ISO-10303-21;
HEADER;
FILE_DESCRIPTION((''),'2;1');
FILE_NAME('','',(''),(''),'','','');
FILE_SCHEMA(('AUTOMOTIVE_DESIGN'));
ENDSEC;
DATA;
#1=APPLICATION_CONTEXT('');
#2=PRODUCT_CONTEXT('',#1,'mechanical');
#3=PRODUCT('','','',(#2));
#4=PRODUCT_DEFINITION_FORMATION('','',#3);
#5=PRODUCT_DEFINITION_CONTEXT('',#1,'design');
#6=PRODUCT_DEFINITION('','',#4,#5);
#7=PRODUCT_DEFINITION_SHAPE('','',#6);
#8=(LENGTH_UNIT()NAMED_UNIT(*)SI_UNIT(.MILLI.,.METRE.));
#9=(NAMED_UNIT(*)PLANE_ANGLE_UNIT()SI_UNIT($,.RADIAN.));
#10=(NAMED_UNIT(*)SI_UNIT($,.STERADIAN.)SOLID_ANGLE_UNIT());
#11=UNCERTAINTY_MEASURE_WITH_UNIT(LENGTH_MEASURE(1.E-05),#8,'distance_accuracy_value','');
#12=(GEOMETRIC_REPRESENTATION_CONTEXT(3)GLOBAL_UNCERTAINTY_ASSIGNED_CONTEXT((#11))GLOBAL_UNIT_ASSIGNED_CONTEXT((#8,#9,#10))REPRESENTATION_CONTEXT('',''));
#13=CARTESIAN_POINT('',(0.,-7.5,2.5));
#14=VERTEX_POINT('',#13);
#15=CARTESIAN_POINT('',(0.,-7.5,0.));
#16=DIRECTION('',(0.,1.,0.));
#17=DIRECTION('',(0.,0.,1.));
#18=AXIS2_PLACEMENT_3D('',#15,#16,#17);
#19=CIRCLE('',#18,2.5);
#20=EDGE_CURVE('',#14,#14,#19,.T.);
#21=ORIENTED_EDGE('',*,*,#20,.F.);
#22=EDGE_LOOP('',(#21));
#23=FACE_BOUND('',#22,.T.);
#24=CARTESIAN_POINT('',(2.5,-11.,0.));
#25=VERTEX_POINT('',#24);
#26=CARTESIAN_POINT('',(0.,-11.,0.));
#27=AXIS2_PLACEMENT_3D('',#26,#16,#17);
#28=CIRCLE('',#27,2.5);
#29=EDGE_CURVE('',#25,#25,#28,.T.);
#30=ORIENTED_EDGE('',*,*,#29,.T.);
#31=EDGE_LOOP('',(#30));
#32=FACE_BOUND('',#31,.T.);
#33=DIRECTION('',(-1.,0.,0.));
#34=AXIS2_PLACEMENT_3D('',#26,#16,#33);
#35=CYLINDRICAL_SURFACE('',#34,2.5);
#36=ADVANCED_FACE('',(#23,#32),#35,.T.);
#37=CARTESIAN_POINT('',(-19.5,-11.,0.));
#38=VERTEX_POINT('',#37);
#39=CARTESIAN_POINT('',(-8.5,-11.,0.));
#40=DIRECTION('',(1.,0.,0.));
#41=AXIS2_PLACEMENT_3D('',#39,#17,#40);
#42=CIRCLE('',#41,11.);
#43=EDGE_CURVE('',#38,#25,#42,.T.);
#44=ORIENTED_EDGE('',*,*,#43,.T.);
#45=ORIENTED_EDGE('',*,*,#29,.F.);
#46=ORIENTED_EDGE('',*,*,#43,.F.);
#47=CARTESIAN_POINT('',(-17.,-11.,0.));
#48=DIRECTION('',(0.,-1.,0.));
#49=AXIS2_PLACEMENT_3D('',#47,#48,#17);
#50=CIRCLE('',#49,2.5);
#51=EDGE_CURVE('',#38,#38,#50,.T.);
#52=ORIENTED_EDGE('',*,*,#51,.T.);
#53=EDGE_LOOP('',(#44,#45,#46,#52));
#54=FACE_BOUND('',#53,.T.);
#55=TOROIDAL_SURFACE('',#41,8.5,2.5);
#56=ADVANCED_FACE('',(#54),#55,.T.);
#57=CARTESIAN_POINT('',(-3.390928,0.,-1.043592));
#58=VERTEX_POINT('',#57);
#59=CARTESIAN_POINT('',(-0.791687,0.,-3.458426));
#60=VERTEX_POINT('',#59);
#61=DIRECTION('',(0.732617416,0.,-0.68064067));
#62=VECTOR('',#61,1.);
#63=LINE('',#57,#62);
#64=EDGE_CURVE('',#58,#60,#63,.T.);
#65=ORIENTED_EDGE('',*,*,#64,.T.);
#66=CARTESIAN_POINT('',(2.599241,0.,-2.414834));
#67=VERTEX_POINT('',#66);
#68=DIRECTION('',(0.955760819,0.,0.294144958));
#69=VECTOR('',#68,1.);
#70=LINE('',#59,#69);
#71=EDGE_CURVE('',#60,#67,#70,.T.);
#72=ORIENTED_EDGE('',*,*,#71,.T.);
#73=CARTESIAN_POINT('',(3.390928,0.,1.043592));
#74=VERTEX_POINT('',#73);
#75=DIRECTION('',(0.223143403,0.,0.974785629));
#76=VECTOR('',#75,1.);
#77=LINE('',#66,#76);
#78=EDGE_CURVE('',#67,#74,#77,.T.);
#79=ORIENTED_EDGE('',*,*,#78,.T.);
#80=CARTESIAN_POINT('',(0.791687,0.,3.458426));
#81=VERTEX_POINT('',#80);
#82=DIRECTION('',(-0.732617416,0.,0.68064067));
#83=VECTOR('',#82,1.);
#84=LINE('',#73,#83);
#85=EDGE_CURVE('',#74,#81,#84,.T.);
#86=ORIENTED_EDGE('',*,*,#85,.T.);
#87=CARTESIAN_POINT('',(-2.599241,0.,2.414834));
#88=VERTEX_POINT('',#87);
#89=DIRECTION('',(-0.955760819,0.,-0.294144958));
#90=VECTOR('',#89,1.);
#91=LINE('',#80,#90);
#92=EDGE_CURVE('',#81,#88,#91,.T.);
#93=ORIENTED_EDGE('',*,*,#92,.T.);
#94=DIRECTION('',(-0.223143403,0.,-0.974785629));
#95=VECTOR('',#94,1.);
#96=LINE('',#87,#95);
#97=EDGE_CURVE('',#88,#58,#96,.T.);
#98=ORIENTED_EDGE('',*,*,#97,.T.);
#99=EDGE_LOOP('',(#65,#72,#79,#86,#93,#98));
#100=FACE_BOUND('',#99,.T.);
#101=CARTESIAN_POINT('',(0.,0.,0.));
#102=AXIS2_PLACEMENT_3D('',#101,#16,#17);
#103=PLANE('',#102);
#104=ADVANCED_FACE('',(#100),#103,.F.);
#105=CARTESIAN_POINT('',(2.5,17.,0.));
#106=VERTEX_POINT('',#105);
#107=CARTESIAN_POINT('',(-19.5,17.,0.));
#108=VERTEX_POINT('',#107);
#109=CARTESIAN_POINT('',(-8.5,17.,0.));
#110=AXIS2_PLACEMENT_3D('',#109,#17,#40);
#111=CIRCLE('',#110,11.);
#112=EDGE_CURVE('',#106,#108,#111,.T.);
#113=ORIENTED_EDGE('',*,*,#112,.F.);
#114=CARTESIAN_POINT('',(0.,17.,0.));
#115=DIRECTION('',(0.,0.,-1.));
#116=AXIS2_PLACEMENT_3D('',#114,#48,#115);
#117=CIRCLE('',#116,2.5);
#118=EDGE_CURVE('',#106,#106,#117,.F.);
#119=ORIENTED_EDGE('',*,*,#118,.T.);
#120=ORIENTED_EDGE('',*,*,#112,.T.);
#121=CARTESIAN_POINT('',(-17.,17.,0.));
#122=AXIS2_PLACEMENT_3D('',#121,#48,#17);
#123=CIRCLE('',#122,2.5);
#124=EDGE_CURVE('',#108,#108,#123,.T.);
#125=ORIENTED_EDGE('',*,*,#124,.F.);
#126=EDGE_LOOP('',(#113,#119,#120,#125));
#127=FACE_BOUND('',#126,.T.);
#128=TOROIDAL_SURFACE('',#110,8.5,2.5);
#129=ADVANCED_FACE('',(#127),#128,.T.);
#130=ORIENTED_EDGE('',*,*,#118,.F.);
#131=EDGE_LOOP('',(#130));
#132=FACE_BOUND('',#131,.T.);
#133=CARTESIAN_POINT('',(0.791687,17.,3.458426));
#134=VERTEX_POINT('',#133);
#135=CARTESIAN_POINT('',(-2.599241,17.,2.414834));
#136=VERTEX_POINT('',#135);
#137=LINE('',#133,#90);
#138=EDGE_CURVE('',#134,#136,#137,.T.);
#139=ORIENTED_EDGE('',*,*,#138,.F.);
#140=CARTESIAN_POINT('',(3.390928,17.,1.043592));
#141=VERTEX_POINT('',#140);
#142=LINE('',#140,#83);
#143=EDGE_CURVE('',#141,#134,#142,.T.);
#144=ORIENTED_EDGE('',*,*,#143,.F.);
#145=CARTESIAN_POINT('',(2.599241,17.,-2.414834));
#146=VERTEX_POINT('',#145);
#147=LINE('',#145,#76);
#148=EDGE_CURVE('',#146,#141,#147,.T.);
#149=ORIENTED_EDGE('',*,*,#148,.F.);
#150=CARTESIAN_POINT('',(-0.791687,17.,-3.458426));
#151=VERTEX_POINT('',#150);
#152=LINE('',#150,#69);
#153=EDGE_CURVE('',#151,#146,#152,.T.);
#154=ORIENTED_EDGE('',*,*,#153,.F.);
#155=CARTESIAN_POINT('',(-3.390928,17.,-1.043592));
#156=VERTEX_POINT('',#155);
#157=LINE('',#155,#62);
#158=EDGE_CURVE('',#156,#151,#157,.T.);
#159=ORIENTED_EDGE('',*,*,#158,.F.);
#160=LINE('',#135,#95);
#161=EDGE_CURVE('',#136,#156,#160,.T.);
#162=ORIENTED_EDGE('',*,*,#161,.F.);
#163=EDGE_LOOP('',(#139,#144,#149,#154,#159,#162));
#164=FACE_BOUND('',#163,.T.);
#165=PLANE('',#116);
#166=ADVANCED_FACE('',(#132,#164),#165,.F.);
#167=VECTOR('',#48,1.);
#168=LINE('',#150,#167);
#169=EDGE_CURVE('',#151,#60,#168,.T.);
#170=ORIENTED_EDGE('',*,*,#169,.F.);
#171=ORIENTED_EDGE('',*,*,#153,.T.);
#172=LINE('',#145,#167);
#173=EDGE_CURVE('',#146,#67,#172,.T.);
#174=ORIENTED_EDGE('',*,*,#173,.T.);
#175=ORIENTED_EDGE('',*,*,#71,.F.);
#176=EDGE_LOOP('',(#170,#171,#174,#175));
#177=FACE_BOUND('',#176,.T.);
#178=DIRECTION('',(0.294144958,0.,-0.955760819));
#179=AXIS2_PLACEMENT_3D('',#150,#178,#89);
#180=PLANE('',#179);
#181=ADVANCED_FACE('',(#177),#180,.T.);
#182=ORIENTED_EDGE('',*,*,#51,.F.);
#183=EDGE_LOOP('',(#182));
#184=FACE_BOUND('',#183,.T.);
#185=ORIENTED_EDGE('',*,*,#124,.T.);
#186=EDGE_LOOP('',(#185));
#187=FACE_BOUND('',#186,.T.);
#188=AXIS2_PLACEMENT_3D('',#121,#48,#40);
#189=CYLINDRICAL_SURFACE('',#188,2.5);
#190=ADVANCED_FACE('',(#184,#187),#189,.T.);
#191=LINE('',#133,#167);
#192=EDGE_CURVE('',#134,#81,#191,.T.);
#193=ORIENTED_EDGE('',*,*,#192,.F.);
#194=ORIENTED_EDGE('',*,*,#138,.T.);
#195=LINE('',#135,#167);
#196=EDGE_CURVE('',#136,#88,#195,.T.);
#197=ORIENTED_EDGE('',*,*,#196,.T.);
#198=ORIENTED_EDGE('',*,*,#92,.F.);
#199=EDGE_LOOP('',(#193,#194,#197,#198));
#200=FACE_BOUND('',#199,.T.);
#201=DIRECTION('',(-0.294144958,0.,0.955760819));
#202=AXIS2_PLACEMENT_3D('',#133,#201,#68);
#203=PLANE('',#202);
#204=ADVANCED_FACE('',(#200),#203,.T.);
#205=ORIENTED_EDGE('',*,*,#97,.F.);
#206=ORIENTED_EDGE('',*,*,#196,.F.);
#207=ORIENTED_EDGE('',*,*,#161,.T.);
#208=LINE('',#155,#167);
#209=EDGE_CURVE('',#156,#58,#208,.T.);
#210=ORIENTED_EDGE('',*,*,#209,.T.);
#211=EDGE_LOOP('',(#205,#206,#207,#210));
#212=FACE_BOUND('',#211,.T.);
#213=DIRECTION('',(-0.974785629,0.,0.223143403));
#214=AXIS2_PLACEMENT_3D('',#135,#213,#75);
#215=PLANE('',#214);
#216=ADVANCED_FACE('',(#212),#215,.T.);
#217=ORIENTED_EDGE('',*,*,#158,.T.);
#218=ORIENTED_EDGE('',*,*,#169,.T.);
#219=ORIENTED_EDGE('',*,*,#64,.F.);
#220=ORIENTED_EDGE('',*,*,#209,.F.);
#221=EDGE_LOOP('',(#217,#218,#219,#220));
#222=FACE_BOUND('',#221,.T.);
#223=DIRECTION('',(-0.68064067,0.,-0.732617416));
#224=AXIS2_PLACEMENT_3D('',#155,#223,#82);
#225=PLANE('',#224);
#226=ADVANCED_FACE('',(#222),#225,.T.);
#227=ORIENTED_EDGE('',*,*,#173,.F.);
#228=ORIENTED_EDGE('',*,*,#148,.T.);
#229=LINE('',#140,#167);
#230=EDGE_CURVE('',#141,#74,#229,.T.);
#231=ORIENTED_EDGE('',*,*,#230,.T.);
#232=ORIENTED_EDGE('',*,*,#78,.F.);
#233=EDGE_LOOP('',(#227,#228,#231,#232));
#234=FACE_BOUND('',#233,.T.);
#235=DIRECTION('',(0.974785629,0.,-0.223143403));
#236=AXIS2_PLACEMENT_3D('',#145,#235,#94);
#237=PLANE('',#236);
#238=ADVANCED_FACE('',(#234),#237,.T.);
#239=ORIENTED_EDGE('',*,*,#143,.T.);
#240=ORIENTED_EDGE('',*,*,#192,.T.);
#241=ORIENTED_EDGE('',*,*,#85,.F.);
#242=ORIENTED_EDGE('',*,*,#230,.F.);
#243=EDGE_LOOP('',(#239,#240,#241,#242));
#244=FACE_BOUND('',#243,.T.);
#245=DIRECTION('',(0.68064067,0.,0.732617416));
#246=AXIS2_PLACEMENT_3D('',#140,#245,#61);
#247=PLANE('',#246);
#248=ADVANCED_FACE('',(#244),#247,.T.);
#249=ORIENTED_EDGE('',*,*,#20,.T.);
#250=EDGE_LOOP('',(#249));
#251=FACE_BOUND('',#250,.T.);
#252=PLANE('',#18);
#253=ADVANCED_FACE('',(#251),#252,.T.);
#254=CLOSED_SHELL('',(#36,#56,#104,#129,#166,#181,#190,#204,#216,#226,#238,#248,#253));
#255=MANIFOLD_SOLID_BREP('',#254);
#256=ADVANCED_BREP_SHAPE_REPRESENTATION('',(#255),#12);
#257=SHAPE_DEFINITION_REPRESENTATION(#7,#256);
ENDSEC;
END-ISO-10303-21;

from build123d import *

# Parameters (mm, degrees)
SKETCH1_R           = 2.5
BOSS_EXTRUDE1_DEPTH = 17


with BuildPart() as part:
    # Sweep1: sweep along a path in Sketch2
    with BuildLine(Plane.XY) as sweep1_path:
        Line((0, 0), (0, 17))
        ThreePointArc((0, 17), (-8.5, 25.5), (-17, 17))
        Line((-17, 17), (-17, -11))
        ThreePointArc((-17, -11), (-8.5, -19.5), (0, -11))
        Line((0, -11), (0, -7.5))
    # Sketch1 → Sweep1 (sweep)
    with BuildSketch(Plane(origin=(0, 0, 0), x_dir=(1, 0, 0), z_dir=(0, 1, 0))):
        Circle(SKETCH1_R)
    sweep(path=sweep1_path.line)

    # Sketch3 → Boss-Extrude1 (add)
    with BuildSketch(Plane.XZ):
        Polygon((3.390928287, 1.04359212), (0.791686856, 3.458426099), (-2.599241431, 2.414833979), (-3.390928287, -1.04359212), (-0.791686856, -3.458426099), (2.599241431, -2.414833979), align=None)
    extrude(amount=-BOSS_EXTRUDE1_DEPTH)


solid = part.part
